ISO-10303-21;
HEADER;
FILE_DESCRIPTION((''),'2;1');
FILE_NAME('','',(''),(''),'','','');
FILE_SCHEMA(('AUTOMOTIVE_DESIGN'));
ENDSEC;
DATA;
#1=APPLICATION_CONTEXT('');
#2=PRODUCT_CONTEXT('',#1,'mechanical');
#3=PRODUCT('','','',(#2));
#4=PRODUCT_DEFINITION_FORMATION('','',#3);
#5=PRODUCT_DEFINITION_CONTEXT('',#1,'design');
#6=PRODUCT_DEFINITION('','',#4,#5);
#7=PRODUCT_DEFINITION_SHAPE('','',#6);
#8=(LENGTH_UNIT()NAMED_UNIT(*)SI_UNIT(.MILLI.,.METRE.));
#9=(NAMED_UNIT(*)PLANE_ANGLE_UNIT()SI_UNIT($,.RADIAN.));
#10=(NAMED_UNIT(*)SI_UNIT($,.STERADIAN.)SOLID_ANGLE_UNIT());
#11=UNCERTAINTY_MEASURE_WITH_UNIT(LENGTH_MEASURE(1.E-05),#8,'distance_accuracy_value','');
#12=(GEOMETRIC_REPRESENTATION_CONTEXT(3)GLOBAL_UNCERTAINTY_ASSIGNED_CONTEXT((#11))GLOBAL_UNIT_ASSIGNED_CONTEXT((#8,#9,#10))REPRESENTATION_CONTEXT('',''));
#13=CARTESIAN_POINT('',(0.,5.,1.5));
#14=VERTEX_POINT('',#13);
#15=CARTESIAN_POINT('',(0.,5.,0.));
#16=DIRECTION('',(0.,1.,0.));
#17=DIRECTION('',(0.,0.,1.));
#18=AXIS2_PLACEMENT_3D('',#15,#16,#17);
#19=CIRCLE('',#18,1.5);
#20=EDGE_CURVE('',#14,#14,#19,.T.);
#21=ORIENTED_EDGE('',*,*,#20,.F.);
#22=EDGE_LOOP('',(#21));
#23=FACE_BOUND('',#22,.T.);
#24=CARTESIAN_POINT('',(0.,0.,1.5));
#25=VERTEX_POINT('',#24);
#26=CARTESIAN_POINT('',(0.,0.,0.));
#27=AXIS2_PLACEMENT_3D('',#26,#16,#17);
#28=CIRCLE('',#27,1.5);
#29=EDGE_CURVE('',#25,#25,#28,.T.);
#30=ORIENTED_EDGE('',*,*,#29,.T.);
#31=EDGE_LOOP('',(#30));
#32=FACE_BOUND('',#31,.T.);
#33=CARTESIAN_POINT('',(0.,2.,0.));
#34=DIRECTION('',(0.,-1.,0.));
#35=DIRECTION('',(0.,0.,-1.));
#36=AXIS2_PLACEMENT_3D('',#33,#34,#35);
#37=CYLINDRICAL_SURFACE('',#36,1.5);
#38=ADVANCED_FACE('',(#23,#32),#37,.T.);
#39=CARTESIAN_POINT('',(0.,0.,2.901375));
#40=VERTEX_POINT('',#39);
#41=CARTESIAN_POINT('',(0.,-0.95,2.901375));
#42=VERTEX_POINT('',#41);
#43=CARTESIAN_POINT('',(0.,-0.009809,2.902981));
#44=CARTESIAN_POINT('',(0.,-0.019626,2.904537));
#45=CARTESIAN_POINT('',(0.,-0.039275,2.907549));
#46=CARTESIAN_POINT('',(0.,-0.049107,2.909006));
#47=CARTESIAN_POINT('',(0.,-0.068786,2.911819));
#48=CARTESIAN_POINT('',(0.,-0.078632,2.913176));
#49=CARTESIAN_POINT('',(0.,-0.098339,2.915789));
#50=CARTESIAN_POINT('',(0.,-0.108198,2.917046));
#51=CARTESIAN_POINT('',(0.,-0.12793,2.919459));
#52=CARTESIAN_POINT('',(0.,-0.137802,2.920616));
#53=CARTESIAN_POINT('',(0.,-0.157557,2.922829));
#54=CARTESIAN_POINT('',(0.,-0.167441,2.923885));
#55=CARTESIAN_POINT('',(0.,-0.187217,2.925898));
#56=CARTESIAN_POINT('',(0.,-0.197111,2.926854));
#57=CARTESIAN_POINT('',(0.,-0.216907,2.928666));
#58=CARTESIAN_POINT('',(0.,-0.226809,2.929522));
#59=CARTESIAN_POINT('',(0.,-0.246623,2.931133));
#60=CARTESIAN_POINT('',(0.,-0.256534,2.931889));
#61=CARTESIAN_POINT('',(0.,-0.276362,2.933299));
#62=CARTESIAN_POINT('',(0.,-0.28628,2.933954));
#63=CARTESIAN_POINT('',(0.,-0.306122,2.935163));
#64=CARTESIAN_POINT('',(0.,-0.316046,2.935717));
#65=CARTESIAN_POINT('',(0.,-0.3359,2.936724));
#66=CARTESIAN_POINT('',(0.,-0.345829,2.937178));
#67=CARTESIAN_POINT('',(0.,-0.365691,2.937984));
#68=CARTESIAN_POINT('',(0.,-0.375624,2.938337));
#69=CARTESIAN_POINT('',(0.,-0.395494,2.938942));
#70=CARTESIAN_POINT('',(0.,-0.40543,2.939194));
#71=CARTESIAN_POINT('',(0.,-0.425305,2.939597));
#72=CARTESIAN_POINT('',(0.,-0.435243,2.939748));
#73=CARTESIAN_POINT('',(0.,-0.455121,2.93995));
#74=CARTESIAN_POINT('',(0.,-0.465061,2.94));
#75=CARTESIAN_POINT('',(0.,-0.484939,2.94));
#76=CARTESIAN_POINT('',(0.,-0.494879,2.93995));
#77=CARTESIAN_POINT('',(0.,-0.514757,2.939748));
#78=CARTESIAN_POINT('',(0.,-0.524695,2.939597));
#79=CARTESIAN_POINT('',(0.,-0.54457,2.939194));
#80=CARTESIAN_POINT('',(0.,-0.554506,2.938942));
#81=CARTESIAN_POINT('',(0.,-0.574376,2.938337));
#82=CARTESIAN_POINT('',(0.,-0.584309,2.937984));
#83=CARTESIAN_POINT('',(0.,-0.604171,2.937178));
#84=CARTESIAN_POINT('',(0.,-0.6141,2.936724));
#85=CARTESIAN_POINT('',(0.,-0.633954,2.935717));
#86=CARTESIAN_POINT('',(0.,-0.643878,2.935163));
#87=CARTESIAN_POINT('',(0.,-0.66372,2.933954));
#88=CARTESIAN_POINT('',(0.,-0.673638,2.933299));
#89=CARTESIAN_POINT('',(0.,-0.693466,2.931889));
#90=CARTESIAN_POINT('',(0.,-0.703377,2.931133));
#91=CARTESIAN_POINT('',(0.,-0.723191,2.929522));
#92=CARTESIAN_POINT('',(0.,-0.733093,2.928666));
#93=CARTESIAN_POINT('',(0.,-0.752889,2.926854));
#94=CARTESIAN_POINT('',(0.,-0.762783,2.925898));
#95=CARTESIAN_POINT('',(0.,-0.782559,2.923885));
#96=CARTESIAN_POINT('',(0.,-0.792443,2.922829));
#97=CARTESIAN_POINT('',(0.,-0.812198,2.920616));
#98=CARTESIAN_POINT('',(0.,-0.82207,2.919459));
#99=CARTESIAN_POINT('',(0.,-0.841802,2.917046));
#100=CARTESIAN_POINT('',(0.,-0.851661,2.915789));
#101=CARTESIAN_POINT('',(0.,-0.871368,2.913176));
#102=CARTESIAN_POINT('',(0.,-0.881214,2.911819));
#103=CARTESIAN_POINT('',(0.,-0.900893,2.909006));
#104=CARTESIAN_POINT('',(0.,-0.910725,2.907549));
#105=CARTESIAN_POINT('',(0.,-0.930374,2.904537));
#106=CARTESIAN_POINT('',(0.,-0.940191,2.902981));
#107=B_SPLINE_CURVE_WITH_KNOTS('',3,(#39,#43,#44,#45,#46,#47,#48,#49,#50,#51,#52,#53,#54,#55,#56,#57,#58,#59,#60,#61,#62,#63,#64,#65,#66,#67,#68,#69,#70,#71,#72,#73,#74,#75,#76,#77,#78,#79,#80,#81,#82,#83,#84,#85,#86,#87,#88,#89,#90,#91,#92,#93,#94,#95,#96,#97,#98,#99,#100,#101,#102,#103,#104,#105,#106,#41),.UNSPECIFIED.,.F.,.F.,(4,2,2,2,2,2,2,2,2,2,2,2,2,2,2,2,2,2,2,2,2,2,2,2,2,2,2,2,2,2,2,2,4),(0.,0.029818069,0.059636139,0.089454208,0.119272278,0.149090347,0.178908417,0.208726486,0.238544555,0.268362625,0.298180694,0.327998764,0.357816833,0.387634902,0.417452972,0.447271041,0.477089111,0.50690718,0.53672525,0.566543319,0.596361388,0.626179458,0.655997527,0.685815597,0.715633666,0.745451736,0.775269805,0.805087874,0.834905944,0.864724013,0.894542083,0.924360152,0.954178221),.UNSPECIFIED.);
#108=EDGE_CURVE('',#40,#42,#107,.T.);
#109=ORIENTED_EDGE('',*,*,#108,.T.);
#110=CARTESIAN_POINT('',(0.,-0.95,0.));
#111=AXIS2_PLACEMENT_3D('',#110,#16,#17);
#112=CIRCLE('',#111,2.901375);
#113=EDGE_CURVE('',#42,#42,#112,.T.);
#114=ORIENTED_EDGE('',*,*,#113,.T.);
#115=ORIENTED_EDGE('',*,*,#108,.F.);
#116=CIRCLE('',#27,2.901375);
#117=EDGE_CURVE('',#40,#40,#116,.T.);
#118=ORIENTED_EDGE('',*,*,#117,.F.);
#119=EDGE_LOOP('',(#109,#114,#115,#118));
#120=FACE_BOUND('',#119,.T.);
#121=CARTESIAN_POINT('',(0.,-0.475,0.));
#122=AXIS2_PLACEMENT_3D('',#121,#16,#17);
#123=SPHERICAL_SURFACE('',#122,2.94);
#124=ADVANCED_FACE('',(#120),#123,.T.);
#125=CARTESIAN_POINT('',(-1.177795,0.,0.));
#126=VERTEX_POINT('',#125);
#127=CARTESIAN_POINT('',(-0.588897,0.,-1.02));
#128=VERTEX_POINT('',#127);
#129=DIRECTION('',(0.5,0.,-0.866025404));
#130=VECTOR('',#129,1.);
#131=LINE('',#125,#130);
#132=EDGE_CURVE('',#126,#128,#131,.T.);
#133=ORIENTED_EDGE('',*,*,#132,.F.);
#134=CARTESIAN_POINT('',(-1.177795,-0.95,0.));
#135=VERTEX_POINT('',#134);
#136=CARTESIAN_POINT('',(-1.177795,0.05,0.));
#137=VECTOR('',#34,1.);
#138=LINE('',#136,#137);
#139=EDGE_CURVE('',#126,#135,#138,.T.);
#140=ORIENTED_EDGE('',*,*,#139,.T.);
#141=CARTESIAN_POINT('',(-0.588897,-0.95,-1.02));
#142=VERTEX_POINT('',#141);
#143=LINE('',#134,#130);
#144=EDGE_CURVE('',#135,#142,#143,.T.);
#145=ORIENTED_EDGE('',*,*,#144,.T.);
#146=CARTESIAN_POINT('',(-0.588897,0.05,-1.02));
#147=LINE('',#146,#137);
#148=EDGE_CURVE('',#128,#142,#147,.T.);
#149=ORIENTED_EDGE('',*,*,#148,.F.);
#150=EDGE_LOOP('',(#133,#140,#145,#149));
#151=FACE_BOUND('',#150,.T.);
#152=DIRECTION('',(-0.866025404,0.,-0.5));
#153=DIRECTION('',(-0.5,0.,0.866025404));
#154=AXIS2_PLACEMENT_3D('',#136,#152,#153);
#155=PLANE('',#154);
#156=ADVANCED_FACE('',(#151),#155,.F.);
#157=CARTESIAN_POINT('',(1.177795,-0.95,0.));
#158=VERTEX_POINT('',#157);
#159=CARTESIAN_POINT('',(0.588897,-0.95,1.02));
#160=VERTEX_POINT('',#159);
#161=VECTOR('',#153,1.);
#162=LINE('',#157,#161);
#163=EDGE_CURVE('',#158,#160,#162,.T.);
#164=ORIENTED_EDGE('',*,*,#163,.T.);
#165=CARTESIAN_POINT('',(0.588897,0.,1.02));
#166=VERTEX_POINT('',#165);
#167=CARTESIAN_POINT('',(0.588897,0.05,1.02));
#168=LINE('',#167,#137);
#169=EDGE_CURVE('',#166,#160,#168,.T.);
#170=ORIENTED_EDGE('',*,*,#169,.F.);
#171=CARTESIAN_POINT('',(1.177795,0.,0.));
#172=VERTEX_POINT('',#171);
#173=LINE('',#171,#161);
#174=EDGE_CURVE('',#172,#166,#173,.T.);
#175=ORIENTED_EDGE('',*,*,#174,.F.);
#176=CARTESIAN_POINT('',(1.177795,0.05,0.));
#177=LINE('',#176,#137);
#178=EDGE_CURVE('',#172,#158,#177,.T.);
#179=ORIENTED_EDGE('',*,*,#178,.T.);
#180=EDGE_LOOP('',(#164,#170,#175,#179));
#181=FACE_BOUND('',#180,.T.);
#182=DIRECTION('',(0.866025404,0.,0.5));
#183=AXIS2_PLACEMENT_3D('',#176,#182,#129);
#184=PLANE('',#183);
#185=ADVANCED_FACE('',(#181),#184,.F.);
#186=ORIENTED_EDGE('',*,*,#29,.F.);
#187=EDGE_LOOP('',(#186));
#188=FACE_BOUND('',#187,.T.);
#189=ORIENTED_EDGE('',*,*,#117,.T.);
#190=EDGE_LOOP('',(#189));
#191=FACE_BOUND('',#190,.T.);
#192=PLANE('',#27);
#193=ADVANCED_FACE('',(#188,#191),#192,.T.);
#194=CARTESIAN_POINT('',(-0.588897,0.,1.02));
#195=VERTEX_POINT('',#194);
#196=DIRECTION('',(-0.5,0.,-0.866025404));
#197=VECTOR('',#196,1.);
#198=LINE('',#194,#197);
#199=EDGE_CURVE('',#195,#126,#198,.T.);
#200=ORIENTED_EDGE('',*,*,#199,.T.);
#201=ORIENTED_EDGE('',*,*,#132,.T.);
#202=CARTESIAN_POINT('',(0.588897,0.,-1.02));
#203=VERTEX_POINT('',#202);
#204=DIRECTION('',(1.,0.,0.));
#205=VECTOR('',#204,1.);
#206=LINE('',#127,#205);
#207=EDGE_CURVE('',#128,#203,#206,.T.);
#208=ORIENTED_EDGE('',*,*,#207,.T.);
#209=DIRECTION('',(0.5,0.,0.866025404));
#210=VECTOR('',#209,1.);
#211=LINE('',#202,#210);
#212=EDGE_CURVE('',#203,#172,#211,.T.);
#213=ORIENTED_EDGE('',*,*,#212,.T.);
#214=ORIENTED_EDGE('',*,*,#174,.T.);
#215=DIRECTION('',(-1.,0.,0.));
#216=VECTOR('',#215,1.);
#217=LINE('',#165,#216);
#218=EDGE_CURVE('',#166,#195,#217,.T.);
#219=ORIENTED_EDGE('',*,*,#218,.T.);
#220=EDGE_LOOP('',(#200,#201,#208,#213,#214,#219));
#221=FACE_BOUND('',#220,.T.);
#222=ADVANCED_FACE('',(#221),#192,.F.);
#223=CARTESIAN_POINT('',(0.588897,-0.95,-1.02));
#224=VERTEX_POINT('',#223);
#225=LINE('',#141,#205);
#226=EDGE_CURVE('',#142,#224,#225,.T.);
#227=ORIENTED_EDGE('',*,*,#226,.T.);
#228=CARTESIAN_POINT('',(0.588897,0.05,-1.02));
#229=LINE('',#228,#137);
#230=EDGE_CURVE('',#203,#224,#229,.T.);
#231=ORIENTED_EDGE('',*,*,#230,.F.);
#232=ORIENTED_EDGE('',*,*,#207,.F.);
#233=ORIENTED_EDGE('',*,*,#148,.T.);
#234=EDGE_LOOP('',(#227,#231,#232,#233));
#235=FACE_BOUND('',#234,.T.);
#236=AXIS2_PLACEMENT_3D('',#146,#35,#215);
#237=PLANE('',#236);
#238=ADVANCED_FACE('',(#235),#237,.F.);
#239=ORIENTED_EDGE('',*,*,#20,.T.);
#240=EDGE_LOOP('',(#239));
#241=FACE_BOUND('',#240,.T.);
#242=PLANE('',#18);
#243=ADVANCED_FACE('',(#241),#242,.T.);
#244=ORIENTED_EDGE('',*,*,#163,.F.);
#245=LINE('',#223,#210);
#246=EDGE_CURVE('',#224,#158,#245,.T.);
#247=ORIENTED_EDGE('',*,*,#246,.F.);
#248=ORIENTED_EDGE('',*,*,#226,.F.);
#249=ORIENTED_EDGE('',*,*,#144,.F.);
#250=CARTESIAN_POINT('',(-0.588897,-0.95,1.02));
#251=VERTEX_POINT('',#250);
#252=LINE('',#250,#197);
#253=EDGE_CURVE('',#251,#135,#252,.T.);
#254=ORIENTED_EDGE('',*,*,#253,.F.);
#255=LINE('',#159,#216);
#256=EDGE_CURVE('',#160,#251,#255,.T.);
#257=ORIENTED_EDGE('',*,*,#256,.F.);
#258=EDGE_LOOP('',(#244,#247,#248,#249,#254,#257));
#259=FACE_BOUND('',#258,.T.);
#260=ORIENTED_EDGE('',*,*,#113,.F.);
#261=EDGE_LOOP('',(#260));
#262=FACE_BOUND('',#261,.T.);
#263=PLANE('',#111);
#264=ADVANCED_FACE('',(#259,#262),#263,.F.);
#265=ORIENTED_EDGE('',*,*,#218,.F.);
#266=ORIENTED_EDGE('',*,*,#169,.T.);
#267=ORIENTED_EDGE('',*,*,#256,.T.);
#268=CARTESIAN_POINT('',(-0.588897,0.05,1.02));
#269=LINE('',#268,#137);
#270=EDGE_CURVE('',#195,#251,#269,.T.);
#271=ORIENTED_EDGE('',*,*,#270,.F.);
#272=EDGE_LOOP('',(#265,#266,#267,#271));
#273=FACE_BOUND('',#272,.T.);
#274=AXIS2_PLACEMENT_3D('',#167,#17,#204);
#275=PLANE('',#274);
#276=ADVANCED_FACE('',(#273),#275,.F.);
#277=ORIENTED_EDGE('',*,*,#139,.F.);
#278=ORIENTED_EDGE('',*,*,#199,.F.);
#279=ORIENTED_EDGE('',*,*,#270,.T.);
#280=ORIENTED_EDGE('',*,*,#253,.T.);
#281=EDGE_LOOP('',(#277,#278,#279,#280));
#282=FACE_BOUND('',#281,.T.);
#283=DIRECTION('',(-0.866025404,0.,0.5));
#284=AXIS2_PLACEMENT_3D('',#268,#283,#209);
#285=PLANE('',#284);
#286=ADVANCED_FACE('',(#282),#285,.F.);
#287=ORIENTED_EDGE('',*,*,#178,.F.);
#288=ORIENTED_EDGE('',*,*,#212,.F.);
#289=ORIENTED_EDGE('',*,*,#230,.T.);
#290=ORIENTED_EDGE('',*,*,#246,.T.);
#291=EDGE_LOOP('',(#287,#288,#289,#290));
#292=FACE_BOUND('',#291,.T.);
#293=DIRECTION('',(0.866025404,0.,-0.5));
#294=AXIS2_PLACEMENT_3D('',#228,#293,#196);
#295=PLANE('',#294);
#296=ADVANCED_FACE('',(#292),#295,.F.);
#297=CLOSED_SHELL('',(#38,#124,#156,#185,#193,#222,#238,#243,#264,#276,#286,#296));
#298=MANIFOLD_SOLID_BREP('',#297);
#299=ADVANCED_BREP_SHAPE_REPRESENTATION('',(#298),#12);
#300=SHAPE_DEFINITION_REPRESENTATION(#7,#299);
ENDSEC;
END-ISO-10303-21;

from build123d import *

# Parameters (mm, degrees)
SKETCH_1_R          = 1.5
EXTRUDE_1_DEPTH     = 2
SKETCH_2_R          = 2.95
EXTRUDE_2_DEPTH     = 0.95
CUT_EXTRUDE_1_DEPTH = 1
SKETCH_1_8_R        = 1.5
EXTRUDE_5_DEPTH     = 5


with BuildPart() as part:
    # 草图1 → 拉伸1 (new body)
    with BuildSketch(Plane(origin=(0, 0, 0), x_dir=(1, 0, 0), z_dir=(0, 1, 0))):
        Circle(SKETCH_1_R)
    extrude(amount=EXTRUDE_1_DEPTH)

    # 草图2 → Extrude 2 (add)
    with BuildSketch(Plane(origin=(0, 0, 0), x_dir=(-1, 0, 0), z_dir=(0, 1, 0))):
        Circle(SKETCH_2_R)
    extrude(amount=-EXTRUDE_2_DEPTH)

    # 草图4 → 切除-旋转1 (revolve, cut)
    with BuildSketch(Plane(origin=(0, 0, 0), x_dir=(0, 0, -1), z_dir=(1, 0, 0))):
        with BuildLine():
            Line((-2.901374674, 0), (-2.95, 0))
            Line((-2.95, 0), (-2.95, -0.95))
            Line((-2.95, -0.95), (-2.901374674, -0.95))
            ThreePointArc((-2.901374674, -0.95), (-2.94, -0.475), (-2.901374674, 0))
        make_face()
    revolve(axis=Axis((0, 3.165730861, 0), (0, -1, 0)), mode=Mode.SUBTRACT)

    # 草图3 → 切除-拉伸1 (cut)
    with BuildSketch(Plane.XZ.offset(0.95)):
        Polygon((-1.177794549, 0), (-0.588897275, -1.02), (0.588897275, -1.02), (1.177794549, 0), (0.588897275, 1.02), (-0.588897275, 1.02), align=None)
    extrude(amount=-CUT_EXTRUDE_1_DEPTH, mode=Mode.SUBTRACT)

    # 草图1<8> → 凸台-拉伸5 (add)
    with BuildSketch(Plane(origin=(0, 0, 0), x_dir=(1, 0, 0), z_dir=(0, 1, 0))):
        Circle(SKETCH_1_8_R)
    extrude(amount=EXTRUDE_5_DEPTH)


solid = part.part
